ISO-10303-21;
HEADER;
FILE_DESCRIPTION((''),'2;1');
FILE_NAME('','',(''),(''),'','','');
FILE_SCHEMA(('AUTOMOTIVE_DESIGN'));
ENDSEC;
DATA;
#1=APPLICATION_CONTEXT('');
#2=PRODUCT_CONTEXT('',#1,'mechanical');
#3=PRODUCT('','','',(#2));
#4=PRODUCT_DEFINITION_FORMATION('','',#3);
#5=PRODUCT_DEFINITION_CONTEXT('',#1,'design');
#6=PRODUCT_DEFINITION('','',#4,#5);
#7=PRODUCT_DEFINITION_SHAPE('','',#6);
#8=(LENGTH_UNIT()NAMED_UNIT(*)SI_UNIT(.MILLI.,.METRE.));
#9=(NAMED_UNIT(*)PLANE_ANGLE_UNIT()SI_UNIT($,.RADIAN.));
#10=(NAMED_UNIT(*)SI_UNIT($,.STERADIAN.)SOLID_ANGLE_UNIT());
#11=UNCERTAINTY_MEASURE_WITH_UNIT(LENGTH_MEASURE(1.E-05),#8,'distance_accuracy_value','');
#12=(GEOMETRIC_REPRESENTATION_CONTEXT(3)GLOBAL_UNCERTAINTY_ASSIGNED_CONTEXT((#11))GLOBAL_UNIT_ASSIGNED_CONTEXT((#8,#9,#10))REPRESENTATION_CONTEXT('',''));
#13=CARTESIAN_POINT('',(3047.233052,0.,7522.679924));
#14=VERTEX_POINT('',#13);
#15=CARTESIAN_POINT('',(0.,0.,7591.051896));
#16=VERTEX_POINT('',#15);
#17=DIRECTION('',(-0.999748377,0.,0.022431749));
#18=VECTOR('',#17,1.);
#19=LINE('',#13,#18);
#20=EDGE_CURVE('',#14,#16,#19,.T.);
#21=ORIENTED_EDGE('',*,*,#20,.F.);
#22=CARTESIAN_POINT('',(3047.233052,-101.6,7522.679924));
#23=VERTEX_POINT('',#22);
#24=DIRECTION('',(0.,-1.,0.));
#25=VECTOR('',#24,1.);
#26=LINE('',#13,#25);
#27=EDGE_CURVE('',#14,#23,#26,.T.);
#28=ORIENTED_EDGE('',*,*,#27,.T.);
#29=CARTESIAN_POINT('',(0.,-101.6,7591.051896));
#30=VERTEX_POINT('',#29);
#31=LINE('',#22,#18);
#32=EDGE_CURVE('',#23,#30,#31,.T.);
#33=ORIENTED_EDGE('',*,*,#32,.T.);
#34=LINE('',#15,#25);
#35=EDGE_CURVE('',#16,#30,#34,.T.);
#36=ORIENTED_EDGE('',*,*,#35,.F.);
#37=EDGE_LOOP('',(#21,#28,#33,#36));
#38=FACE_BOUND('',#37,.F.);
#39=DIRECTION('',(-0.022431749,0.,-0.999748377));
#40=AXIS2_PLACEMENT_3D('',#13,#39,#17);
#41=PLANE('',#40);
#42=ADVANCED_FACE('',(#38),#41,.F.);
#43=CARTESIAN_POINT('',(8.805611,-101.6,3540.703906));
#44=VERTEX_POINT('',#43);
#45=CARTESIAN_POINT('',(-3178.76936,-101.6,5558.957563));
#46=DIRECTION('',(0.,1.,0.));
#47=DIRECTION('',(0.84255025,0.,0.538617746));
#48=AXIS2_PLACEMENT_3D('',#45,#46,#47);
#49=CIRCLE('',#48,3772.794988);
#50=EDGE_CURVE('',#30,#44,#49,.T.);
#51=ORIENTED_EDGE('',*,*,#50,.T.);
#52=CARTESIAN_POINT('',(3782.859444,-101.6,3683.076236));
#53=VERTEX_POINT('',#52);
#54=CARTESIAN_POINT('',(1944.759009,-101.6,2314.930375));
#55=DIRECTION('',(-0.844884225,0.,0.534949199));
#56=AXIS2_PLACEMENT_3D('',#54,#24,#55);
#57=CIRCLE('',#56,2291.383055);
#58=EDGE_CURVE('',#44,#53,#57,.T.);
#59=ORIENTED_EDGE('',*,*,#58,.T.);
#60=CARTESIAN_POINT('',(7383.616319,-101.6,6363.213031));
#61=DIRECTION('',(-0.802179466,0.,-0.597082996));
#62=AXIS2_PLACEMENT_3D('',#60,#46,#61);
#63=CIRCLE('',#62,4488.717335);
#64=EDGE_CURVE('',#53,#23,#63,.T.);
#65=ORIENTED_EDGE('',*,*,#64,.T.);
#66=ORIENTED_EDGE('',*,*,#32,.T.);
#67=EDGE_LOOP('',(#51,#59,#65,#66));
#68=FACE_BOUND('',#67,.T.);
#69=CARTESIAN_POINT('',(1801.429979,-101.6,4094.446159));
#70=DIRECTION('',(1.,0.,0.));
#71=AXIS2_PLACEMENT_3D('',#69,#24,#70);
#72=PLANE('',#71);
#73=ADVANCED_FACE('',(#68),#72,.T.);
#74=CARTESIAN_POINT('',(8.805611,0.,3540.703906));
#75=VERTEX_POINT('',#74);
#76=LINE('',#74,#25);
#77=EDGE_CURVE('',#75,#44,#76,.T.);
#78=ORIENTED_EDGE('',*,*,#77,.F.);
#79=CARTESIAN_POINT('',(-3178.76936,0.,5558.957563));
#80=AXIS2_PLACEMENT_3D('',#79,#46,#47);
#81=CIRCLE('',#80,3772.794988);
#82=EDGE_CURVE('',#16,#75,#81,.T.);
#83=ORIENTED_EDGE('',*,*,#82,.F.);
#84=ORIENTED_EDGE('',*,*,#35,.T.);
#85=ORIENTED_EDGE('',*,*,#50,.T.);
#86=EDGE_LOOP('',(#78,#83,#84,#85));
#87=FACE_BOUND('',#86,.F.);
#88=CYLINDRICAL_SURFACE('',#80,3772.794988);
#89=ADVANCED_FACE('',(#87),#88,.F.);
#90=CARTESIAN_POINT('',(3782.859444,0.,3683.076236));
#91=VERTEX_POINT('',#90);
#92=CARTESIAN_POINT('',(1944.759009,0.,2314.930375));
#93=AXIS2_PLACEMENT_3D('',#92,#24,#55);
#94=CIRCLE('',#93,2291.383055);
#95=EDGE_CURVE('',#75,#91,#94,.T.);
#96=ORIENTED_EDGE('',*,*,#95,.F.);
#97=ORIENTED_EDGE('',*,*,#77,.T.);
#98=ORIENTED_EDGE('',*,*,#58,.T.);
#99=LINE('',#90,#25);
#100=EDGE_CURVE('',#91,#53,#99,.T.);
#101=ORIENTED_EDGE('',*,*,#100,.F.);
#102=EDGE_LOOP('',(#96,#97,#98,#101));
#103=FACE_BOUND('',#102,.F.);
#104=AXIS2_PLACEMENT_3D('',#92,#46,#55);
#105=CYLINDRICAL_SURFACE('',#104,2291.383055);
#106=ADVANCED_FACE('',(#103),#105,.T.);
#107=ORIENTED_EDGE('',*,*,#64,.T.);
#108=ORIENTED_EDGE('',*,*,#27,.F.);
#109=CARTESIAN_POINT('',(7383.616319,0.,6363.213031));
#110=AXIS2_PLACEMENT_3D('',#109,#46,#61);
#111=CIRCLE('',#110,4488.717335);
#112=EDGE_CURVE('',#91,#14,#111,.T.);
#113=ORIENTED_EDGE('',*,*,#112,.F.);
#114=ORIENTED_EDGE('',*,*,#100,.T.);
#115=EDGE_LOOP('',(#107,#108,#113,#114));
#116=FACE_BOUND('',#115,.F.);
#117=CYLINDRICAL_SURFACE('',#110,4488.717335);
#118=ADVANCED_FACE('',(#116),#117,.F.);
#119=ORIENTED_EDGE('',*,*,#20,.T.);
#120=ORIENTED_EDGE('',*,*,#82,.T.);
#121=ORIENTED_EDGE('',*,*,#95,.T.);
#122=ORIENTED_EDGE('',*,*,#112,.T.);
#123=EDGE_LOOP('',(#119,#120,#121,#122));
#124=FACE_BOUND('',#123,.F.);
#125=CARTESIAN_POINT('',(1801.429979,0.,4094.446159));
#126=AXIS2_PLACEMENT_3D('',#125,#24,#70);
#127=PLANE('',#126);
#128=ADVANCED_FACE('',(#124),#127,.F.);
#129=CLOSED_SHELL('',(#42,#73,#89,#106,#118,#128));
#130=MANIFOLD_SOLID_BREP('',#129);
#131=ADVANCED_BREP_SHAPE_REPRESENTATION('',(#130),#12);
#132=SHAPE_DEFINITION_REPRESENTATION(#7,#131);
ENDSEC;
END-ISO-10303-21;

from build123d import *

# Parameters (mm, degrees)
F1_DEPTH = 101.6


with BuildPart() as f1:
    # F0 (on Front) → F1 (new body)
    with BuildSketch(Plane.XZ):
        with BuildLine():
            ThreePointArc((0, 7591.051896), (594.016712, 5567.159744), (8.805611, 3540.703906))
            ThreePointArc((8.805611, 3540.703906), (2031.137657, 25.176014), (3782.859444, 3683.076236))
            ThreePointArc((3782.859444, 3683.076236), (2975.080561, 5518.58543), (3047.233052, 7522.679924))
            Line((3047.233052, 7522.679924), (0, 7591.051896))
        make_face()
    extrude(amount=F1_DEPTH)


solid = f1.part
